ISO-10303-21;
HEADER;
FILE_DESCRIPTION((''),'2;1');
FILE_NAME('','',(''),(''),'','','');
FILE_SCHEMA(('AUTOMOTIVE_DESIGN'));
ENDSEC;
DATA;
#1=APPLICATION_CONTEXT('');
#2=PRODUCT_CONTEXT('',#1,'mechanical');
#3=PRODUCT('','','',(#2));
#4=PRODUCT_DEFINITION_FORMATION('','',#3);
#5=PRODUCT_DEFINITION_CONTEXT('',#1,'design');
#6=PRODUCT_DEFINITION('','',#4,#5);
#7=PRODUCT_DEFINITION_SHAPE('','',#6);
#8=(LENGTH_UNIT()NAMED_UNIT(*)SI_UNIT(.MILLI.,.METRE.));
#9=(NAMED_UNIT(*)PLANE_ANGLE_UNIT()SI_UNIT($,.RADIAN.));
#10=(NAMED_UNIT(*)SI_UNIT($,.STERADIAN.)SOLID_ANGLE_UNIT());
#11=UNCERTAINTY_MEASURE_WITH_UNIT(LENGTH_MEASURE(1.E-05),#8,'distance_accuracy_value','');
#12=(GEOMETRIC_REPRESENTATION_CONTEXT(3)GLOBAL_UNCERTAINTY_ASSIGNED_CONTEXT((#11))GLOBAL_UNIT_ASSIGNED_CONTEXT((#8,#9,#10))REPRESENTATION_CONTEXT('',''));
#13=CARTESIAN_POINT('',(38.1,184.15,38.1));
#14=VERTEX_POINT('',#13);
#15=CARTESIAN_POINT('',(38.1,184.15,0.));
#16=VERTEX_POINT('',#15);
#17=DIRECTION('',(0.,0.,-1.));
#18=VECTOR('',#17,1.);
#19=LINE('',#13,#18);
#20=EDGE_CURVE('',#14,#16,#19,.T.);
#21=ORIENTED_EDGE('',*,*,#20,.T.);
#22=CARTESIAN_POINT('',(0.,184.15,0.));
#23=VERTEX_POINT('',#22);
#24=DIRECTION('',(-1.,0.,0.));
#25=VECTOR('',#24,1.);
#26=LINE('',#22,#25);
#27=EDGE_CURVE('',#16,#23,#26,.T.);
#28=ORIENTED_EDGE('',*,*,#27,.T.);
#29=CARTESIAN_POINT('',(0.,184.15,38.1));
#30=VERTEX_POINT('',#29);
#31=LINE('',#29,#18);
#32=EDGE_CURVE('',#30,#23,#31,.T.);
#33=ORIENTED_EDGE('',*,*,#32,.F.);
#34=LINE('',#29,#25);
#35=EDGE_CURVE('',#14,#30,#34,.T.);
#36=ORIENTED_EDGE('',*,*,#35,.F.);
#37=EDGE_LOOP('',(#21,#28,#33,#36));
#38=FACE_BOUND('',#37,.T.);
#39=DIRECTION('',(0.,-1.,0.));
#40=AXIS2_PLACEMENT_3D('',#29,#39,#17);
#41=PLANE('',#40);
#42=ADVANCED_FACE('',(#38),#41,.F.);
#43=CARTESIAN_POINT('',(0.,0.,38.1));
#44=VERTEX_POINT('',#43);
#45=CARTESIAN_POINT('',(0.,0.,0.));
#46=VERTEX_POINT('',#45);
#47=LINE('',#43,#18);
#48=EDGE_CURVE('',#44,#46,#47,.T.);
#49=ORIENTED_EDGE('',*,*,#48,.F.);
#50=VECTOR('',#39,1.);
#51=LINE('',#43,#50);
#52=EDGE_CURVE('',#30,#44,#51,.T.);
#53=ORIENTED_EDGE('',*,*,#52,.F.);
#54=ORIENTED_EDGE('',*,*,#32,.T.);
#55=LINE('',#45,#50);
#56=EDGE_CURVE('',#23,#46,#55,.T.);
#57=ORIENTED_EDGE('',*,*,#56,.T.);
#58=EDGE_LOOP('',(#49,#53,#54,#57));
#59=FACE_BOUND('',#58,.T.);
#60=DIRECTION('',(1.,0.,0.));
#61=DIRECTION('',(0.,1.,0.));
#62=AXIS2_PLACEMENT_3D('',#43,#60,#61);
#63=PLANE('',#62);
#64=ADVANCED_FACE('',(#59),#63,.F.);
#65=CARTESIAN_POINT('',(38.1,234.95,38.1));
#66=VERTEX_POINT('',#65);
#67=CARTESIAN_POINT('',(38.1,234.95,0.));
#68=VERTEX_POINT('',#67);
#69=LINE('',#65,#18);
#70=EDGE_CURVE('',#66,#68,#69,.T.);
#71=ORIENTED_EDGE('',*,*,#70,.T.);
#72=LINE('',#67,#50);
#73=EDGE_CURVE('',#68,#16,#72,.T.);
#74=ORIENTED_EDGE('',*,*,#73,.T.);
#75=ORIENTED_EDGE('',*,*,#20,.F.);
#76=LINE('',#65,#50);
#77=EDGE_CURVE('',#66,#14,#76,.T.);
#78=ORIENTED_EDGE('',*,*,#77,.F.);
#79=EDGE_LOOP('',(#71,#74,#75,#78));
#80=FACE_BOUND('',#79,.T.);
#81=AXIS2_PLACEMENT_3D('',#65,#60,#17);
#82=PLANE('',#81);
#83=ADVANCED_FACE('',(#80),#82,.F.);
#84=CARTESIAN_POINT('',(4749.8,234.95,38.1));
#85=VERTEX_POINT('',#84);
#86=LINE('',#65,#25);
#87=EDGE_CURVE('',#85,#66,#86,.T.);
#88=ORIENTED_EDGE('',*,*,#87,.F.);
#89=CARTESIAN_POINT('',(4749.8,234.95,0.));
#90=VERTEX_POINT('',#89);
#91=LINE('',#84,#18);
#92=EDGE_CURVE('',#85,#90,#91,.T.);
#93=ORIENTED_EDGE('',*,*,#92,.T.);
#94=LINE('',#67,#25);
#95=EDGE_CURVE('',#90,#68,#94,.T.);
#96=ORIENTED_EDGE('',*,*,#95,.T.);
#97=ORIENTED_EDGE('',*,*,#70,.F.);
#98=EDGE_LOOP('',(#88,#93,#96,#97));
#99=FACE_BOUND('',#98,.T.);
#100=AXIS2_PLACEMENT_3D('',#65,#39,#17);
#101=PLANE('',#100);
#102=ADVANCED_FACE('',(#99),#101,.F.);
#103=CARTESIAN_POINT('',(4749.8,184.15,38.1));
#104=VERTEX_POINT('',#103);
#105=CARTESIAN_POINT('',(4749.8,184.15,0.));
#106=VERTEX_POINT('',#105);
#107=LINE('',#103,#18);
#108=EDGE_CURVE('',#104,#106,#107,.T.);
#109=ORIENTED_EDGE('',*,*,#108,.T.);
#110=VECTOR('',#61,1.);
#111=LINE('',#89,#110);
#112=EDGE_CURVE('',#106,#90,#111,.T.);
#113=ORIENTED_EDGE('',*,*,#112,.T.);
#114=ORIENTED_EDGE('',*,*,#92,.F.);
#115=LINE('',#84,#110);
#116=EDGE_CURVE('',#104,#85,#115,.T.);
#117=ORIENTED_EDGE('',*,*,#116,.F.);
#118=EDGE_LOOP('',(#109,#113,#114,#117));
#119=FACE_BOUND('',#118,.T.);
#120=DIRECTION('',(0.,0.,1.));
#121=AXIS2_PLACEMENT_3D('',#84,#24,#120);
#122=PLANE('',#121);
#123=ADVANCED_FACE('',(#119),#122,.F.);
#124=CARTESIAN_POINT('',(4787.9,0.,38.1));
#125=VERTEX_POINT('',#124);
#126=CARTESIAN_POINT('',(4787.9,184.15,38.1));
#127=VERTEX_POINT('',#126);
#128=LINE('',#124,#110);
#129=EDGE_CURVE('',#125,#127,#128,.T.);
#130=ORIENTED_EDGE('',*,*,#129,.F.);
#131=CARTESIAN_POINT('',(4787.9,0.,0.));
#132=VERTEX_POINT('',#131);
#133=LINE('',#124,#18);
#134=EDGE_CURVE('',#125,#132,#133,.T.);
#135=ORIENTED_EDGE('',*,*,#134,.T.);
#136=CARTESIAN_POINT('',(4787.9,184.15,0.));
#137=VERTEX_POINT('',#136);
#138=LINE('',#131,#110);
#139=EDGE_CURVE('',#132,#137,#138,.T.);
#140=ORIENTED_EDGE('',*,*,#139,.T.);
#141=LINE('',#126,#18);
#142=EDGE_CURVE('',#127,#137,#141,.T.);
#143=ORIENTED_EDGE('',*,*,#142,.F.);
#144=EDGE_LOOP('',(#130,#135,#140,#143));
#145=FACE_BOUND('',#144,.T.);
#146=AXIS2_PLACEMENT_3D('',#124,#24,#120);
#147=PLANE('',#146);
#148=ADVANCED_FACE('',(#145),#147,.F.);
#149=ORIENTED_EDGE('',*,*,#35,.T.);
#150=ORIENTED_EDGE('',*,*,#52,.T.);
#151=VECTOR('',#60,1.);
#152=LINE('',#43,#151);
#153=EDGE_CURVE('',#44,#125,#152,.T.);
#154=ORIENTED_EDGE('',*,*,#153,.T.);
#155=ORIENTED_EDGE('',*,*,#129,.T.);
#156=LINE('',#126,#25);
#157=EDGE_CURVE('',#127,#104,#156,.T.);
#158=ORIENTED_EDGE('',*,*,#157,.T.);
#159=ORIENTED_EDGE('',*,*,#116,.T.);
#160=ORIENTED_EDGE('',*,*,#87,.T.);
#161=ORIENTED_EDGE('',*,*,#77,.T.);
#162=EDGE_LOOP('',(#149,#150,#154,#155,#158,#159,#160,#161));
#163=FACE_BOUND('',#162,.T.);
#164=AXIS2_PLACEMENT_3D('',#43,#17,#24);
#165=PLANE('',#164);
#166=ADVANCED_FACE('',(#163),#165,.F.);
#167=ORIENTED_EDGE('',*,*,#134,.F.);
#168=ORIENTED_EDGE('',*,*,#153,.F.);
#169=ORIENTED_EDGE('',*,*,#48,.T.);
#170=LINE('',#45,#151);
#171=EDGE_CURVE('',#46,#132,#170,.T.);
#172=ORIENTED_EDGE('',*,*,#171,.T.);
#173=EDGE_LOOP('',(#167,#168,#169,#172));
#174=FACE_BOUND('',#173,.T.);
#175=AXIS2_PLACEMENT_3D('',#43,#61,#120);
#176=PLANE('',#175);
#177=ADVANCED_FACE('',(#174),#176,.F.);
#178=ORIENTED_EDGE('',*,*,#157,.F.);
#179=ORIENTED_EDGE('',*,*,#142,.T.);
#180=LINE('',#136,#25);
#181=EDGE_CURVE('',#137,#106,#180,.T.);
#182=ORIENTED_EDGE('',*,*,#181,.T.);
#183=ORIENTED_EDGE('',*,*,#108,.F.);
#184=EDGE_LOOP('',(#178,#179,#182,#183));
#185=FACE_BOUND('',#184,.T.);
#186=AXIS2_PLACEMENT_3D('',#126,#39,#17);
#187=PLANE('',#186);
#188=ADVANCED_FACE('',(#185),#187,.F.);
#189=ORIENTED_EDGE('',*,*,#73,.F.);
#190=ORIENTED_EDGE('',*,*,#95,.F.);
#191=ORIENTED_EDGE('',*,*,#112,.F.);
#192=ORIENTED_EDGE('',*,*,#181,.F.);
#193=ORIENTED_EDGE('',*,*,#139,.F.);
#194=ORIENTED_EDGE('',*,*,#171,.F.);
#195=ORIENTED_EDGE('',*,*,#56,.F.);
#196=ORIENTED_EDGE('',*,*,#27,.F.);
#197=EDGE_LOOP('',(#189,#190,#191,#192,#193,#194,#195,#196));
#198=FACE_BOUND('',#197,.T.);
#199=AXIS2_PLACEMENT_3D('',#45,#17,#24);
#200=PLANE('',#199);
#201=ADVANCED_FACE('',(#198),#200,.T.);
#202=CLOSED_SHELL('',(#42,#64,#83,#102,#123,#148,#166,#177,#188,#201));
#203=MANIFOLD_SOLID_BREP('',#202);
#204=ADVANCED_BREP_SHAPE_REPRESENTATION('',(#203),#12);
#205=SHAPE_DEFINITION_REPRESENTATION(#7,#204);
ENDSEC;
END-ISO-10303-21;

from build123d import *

# Parameters (mm, degrees)
BOSS_EXTRUDE1_DEPTH = 38.1


with BuildPart() as part:
    # Sketch1 → Boss-Extrude1 (new body)
    with BuildSketch(Plane.XY):
        Polygon((0, 0), (4787.9, 0), (4787.9, 184.15), (4749.8, 184.15), (4749.8, 234.95), (38.1, 234.95), (38.1, 184.15), (0, 184.15), align=None)
    extrude(amount=BOSS_EXTRUDE1_DEPTH)


solid = part.part
